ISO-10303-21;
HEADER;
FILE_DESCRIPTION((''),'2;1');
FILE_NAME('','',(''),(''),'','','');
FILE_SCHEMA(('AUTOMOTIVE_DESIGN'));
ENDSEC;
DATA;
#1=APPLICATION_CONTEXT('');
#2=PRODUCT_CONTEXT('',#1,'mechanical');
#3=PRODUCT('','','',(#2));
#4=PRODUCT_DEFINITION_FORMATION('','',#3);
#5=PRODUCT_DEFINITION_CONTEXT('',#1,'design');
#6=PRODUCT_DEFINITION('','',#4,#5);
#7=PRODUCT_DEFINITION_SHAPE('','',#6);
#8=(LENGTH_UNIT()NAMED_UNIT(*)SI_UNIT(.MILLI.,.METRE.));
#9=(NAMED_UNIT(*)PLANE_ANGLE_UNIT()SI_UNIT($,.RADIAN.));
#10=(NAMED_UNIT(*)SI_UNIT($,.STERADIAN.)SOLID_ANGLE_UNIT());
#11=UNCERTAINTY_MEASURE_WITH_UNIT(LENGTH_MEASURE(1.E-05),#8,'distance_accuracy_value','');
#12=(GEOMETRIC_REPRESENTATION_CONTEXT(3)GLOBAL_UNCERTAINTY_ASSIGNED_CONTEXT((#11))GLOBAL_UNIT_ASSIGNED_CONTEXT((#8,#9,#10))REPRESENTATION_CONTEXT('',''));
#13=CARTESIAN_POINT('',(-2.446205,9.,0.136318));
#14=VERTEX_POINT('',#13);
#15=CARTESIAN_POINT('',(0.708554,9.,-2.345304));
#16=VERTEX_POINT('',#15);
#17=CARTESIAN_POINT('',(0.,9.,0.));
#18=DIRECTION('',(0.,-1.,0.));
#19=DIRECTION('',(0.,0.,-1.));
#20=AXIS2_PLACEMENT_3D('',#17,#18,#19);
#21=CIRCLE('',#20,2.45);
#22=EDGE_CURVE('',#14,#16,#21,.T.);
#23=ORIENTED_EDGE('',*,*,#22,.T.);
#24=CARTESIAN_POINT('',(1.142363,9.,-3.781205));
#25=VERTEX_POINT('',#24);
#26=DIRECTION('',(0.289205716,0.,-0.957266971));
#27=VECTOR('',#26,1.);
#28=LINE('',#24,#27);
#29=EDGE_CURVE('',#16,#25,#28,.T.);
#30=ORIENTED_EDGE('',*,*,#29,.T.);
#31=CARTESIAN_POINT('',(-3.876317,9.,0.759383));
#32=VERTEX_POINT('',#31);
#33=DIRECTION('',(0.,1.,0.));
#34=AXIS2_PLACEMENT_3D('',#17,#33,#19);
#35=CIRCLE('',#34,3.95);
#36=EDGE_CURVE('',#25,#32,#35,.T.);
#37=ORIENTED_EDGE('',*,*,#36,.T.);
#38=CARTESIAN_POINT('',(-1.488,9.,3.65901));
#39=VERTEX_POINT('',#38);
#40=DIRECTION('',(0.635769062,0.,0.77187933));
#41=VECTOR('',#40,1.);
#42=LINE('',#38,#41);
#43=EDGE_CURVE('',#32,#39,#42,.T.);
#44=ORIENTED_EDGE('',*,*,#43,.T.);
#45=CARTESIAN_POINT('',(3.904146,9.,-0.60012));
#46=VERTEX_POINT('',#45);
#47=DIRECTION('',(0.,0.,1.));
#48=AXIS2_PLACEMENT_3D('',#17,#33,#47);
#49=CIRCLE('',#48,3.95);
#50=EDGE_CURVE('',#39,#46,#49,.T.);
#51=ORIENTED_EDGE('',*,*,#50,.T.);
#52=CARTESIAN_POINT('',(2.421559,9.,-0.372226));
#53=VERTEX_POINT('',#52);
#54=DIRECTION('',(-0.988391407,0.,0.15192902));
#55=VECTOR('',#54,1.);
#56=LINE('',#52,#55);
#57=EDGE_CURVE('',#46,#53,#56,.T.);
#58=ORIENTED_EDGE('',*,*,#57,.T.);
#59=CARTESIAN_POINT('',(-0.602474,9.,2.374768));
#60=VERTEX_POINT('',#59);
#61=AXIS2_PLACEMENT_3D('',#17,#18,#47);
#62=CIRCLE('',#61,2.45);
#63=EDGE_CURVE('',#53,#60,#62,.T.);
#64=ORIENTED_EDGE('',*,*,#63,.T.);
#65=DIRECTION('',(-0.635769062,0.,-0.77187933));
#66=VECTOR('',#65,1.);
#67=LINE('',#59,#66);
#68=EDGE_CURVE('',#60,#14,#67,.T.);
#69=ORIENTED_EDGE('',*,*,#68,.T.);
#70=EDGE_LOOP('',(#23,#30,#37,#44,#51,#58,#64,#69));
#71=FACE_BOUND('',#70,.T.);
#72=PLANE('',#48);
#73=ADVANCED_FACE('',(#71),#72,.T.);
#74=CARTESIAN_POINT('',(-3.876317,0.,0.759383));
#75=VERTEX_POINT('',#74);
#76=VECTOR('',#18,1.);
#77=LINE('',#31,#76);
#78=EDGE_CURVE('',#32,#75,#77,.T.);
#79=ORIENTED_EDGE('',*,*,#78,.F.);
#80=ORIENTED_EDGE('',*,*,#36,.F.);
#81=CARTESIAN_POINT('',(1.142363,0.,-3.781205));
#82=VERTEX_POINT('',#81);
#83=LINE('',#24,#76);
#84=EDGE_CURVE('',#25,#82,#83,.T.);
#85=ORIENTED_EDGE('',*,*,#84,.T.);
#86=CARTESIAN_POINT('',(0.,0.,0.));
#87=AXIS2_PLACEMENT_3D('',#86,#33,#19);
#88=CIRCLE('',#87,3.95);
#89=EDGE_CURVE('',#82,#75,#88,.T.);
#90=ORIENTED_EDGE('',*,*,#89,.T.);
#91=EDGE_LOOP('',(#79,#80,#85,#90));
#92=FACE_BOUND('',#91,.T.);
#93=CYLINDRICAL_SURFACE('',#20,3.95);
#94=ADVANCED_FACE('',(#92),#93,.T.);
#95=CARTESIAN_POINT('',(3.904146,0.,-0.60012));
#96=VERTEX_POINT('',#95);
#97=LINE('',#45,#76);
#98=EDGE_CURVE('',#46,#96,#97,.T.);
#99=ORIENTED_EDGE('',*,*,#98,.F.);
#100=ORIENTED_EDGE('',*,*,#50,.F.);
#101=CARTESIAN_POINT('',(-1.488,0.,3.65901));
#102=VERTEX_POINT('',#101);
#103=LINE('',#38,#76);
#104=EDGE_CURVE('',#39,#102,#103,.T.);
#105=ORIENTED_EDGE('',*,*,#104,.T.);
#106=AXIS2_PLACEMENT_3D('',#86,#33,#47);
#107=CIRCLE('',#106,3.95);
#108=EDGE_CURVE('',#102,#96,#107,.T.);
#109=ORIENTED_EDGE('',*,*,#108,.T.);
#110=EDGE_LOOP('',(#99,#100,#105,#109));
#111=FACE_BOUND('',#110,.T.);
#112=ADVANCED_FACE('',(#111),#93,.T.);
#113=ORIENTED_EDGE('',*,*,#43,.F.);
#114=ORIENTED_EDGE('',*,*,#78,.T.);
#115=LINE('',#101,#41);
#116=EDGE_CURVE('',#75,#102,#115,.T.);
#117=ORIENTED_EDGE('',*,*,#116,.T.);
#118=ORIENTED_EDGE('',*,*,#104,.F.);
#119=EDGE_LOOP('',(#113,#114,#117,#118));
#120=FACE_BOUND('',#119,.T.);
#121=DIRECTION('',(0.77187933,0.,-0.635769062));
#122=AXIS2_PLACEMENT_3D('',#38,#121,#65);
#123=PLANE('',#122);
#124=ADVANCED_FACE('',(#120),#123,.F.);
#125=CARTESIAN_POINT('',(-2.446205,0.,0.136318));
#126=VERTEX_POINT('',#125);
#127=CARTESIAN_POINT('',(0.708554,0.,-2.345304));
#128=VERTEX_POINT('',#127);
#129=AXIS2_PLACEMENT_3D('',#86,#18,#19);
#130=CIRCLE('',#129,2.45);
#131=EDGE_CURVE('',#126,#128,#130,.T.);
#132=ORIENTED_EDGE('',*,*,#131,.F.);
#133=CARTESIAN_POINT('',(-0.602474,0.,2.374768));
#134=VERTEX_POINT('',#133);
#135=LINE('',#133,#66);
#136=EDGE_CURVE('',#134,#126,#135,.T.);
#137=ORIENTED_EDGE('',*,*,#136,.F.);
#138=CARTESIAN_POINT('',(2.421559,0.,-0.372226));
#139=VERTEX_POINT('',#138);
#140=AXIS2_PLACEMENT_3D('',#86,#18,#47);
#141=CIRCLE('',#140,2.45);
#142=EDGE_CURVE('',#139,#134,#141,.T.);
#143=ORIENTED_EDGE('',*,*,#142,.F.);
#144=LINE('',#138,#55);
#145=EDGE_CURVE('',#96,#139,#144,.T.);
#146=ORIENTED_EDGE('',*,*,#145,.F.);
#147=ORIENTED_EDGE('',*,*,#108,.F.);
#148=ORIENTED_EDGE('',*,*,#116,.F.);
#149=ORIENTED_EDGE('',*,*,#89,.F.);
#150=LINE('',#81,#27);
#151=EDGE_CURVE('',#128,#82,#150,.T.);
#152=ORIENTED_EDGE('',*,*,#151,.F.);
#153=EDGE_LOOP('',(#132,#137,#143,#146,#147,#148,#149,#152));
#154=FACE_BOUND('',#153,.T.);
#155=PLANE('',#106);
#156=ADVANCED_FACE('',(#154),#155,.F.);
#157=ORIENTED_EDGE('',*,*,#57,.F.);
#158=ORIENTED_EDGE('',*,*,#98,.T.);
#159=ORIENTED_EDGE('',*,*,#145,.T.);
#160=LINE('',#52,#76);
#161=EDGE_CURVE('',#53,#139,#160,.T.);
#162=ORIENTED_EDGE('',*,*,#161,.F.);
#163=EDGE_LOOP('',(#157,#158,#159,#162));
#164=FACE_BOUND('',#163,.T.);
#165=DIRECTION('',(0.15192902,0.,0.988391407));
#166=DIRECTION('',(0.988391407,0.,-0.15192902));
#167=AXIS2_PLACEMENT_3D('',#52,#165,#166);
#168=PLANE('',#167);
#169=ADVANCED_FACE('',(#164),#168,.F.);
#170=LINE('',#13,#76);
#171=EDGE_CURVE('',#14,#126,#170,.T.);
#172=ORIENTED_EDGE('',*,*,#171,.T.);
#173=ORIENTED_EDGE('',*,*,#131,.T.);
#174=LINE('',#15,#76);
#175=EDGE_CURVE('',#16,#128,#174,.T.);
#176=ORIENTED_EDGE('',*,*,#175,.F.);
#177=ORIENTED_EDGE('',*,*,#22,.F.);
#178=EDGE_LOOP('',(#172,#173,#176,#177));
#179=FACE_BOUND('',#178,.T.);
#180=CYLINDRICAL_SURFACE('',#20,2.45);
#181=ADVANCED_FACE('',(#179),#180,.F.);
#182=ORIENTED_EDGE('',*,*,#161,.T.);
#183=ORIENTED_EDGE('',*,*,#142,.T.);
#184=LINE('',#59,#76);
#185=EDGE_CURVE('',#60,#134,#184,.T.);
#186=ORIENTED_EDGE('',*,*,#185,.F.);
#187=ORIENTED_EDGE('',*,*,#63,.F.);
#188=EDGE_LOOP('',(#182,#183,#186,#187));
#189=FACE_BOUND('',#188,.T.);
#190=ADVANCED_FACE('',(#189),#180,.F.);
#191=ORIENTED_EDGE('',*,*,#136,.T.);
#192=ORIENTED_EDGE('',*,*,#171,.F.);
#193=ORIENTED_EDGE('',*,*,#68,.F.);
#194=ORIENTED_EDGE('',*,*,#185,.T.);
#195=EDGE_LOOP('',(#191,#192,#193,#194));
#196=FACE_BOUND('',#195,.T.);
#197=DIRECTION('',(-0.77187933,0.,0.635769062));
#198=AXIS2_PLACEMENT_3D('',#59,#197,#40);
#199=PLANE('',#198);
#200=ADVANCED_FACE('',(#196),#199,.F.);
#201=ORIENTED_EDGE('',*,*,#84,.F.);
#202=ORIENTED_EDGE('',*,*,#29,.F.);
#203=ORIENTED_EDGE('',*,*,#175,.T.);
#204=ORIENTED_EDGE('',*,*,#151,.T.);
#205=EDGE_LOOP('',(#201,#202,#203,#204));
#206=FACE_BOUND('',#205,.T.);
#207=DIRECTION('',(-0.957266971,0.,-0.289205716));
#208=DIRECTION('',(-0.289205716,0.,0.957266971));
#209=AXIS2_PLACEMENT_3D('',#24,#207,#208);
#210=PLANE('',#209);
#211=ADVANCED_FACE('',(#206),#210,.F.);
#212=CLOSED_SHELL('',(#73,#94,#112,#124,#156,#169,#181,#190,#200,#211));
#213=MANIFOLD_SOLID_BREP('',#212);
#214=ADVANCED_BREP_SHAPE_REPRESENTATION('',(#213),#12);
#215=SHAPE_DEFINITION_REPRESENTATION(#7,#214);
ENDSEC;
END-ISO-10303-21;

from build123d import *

# Parameters (mm, degrees)
BOSS_EXTRUDE1_DEPTH = 9


with BuildPart() as part:
    # Sketch1 → Boss-Extrude1 (new body)
    with BuildSketch(Plane(origin=(0, 0, 0), x_dir=(1, 0, 0), z_dir=(0, 1, 0))):
        with BuildLine():
            Line((-0.6024744, -2.374768325), (-2.446204679, -0.136318268))
            ThreePointArc((-2.446204679, -0.136318268), (-1.51475075, 1.925624617), (0.708554004, 2.345304079))
            Line((0.708554004, 2.345304079), (1.142362578, 3.781204536))
            ThreePointArc((1.142362578, 3.781204536), (-2.650068291, 2.929101919), (-3.876317438, -0.759383379))
            Line((-3.876317438, -0.759383379), (-1.48799963, -3.659010399))
            ThreePointArc((-1.48799963, -3.659010399), (2.448364361, -3.099679332), (3.904146056, 0.600119631))
            Line((3.904146056, 0.600119631), (2.421558946, 0.3722261))
            ThreePointArc((2.421558946, 0.3722261), (1.647349914, -1.813487871), (-0.6024744, -2.374768325))
        make_face()
    extrude(amount=BOSS_EXTRUDE1_DEPTH)


solid = part.part
